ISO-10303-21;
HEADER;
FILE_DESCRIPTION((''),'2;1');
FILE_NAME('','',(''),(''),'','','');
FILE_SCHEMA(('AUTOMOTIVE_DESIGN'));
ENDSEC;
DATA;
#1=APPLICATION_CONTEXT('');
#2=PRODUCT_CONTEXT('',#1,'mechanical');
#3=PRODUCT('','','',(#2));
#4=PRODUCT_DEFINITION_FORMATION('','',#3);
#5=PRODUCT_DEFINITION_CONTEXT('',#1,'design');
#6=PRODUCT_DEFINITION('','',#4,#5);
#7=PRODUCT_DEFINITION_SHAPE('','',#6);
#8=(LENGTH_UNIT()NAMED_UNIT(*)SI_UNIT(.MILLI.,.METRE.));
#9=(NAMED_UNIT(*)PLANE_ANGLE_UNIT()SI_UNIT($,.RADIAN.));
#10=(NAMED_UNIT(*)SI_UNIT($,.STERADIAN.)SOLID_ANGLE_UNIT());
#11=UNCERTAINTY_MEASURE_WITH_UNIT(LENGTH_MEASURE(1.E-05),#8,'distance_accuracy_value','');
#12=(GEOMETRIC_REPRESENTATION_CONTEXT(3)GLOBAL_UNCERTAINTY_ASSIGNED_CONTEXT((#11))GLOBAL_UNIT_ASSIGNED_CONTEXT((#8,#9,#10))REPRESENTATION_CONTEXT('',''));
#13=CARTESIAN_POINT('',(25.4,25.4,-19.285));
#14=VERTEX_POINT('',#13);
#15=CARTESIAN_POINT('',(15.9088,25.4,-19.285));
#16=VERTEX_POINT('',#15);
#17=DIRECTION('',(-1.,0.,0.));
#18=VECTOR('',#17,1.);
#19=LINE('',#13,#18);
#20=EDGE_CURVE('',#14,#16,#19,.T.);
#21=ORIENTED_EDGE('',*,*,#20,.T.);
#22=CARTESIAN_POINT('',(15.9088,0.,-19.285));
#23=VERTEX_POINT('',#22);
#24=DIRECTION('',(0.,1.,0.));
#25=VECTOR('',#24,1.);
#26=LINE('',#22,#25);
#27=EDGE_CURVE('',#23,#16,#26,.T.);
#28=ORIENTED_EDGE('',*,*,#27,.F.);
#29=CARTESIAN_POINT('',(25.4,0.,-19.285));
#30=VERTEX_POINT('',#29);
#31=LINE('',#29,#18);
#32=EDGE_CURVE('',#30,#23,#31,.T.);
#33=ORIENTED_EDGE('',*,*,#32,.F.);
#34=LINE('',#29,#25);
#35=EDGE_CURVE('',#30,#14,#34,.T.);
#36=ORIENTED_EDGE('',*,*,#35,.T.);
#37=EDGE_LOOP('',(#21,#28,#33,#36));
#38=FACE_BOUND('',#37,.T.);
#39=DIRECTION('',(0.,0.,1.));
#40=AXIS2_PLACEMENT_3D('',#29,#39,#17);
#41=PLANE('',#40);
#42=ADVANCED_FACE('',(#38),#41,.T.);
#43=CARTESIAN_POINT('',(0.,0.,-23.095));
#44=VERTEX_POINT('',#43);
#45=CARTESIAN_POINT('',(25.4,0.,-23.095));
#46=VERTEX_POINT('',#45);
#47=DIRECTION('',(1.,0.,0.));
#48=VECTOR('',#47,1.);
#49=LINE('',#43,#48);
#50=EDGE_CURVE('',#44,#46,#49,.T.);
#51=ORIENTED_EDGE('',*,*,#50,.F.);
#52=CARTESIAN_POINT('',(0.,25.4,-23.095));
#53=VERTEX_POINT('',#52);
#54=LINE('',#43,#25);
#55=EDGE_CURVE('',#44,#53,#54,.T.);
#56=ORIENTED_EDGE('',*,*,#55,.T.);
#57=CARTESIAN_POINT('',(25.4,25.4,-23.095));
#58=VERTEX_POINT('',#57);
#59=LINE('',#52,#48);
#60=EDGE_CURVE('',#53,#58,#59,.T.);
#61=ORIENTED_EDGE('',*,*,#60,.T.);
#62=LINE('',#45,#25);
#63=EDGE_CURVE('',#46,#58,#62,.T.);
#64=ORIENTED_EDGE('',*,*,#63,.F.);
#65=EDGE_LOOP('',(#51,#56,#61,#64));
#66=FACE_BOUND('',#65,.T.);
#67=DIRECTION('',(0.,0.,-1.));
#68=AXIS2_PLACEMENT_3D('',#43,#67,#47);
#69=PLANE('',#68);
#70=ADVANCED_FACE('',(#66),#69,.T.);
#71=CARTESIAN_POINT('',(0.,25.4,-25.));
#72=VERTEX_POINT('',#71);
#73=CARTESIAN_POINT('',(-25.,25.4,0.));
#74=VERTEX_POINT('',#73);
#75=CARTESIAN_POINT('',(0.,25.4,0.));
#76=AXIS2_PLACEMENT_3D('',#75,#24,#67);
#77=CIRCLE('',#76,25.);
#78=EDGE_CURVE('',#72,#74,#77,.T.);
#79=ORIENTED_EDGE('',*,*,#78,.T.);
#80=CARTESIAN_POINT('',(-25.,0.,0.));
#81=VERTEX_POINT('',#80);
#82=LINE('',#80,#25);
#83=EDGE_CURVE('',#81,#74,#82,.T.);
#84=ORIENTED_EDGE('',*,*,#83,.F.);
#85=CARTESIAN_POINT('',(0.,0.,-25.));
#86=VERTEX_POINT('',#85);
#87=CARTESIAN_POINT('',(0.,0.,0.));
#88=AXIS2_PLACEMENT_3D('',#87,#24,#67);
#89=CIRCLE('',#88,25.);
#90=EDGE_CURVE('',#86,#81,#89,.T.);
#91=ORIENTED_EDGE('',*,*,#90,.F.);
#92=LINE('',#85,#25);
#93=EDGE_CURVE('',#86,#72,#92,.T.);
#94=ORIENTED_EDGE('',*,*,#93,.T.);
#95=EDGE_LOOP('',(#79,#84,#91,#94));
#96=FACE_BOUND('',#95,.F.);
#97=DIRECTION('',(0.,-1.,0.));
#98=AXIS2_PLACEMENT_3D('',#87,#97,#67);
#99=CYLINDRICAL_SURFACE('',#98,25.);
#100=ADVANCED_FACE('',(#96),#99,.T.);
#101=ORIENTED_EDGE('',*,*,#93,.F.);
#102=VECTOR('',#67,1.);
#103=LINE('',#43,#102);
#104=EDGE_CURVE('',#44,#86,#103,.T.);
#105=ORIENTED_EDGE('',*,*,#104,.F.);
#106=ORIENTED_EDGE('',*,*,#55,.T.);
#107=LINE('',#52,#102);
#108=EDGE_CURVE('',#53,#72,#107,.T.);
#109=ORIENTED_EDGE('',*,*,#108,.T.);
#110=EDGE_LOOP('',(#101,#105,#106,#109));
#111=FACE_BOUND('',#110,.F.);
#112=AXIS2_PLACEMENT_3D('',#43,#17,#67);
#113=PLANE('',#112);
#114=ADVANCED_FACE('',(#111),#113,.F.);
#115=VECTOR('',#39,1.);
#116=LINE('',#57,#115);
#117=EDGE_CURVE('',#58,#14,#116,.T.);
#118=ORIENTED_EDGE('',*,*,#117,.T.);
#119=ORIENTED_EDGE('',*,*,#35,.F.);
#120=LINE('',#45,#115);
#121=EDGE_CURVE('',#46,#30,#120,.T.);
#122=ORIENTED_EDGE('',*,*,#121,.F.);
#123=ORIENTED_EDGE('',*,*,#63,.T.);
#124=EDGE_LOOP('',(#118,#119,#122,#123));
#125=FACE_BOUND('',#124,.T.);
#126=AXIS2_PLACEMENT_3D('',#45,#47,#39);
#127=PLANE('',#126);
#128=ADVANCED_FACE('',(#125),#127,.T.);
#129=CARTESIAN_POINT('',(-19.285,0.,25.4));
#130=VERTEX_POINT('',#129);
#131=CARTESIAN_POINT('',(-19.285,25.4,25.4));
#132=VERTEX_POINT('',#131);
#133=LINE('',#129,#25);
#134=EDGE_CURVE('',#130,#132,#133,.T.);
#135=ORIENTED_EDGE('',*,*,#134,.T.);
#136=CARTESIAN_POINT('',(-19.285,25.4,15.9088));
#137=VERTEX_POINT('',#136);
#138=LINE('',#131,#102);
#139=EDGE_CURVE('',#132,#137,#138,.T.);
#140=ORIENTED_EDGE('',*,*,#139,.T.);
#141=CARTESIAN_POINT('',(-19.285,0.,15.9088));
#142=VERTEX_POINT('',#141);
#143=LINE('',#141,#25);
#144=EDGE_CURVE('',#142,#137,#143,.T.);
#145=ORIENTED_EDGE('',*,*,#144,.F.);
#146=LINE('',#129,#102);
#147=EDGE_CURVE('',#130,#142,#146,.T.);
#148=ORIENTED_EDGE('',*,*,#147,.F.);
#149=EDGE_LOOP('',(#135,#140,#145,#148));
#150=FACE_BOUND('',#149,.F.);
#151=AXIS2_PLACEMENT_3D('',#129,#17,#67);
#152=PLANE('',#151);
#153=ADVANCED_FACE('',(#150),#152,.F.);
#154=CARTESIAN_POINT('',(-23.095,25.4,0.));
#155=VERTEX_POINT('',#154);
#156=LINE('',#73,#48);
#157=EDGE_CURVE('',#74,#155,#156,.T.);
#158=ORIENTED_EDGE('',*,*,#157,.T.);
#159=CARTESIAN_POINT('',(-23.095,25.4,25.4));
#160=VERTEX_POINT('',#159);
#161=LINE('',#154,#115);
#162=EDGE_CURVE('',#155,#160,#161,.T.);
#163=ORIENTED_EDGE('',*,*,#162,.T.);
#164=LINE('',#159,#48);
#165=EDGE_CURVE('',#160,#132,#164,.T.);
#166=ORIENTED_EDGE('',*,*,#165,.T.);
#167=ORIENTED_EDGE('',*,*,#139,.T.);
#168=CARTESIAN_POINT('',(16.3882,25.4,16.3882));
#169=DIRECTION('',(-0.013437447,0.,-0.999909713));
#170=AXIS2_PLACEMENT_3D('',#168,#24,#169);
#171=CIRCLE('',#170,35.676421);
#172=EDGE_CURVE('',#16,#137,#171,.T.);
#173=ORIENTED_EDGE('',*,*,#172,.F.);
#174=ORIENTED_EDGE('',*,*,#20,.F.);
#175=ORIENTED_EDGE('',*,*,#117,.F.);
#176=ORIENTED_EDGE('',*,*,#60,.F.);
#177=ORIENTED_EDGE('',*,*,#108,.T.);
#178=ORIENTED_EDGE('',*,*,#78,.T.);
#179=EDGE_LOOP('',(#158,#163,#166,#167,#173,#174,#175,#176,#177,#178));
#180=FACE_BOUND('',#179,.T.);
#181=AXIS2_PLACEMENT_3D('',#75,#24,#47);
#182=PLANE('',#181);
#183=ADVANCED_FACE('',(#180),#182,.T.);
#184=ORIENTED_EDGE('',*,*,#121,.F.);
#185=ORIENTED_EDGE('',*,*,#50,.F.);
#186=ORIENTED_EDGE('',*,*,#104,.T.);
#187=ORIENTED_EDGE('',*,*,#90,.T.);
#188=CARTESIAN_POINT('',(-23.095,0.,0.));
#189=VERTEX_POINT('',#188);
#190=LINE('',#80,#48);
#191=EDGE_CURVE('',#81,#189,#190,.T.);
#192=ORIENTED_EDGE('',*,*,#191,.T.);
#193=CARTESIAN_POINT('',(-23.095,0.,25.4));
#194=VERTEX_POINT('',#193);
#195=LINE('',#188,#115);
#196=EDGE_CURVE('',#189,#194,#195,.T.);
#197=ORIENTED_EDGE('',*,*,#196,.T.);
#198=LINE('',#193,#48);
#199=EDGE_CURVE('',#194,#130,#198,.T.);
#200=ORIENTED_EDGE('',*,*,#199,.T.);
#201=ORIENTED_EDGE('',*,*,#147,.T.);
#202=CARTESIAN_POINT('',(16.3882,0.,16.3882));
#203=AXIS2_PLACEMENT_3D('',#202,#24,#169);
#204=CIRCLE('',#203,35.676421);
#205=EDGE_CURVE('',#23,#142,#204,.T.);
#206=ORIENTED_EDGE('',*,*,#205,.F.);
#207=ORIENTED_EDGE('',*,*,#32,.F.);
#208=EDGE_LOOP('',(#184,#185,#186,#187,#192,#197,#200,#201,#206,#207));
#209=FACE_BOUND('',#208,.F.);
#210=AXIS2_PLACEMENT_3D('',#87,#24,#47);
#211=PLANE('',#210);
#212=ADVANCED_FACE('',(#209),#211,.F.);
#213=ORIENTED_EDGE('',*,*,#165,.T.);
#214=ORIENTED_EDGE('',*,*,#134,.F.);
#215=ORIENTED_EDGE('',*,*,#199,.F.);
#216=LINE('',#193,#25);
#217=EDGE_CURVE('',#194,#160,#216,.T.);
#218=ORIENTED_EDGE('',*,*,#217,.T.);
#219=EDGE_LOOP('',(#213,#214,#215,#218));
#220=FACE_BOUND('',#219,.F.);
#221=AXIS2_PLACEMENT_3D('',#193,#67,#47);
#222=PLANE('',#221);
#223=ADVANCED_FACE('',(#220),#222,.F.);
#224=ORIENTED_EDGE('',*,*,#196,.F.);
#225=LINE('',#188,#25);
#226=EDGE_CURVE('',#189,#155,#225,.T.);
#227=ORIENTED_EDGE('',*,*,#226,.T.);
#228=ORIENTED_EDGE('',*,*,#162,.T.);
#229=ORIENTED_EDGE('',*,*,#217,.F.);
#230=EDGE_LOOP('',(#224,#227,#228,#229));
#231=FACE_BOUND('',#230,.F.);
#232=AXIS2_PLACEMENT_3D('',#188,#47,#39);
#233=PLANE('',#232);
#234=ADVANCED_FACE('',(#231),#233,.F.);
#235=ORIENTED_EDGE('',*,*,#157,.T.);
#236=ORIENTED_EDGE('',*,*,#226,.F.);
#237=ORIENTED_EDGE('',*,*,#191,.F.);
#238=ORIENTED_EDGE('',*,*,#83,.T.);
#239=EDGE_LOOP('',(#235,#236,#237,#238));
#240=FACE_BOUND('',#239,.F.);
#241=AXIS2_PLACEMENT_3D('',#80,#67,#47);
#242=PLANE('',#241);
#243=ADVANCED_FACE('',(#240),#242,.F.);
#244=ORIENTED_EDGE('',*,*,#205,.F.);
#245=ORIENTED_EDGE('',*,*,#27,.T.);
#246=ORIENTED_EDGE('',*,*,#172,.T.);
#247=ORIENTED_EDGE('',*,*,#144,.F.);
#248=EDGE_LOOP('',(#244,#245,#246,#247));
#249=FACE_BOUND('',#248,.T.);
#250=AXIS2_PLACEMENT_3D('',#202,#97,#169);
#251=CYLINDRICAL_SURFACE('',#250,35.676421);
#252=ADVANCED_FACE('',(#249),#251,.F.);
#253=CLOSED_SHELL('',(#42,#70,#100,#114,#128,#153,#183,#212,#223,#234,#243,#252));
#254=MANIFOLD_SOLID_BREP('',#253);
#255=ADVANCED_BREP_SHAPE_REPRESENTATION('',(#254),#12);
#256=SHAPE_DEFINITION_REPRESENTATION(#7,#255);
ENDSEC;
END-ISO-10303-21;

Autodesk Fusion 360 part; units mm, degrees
sketch "Sketch1" plane through (0, 0, 0) normal (0, 1, 0) x (1, 0, 0)
  circle A0 centre (0, 0) radius 25 construction
  line L0 (0, -25) -> (0, 25) construction
  line L1 (0, 0) -> (25, 0) construction
  line L2 (0, 0) -> (-25, 0) construction
  line L3 (-25, 0) -> (-23.095, 0)
  line L4 (-23.095, 0) -> (-23.095, -50.8) construction
  line L5 (-23.095, -50.8) -> (-25, -50.8)
  line L6 (-25, -50.8) -> (-25, 0) construction
  line L7 (0, 25) -> (50.8, 25) construction
  line L8 (50.8, 25) -> (50.8, 23.095) construction
  line L9 (50.8, 23.095) -> (0, 23.095) construction
  line L10 (0, 23.095) -> (0, 25)
  line L11 (0, 23.095) -> (25.4, 23.095)
  line L12 (25.4, 23.095) -> (25.4, 19.285)
  line L13 (-23.095, 0) -> (-23.095, -25.4)
  line L14 (-23.095, -25.4) -> (-19.285, -25.4)
  arc A1 (0, 25) -> (-25, 0) centre (0, 0) ccw
  line L15 (-17.6777, 17.6777) -> (0, 0) construction
  line L16 (-19.285, -25.4) -> (-19.285, -15.9088)
  line L17 (25.4, 19.285) -> (15.9088, 19.285)
  arc A2 (15.9088, 19.285) -> (-19.285, -15.9088) centre (16.3882, -16.3882) ccw
  point P0 (-17.6777, 17.6777)
  point P1 (-8.8388, 8.8388)
  dimension "d1" = 50
  dimension "d4" = 50
  dimension "d5" = 1.905
  dimension "d6" = 50.8
  dimension "d7" = 50.8
  dimension "d8" = 1.905
  dimension "d9" = 25.4
  dimension "d10" = 3.81
  dimension "d11" = 25.4
  dimension "d12" = 3.81
  dimension "d13" = 25
  dimension "d15" = 35.6764
extrude "Extrude1" add sketch "Sketch1" along normal blind 25.4
